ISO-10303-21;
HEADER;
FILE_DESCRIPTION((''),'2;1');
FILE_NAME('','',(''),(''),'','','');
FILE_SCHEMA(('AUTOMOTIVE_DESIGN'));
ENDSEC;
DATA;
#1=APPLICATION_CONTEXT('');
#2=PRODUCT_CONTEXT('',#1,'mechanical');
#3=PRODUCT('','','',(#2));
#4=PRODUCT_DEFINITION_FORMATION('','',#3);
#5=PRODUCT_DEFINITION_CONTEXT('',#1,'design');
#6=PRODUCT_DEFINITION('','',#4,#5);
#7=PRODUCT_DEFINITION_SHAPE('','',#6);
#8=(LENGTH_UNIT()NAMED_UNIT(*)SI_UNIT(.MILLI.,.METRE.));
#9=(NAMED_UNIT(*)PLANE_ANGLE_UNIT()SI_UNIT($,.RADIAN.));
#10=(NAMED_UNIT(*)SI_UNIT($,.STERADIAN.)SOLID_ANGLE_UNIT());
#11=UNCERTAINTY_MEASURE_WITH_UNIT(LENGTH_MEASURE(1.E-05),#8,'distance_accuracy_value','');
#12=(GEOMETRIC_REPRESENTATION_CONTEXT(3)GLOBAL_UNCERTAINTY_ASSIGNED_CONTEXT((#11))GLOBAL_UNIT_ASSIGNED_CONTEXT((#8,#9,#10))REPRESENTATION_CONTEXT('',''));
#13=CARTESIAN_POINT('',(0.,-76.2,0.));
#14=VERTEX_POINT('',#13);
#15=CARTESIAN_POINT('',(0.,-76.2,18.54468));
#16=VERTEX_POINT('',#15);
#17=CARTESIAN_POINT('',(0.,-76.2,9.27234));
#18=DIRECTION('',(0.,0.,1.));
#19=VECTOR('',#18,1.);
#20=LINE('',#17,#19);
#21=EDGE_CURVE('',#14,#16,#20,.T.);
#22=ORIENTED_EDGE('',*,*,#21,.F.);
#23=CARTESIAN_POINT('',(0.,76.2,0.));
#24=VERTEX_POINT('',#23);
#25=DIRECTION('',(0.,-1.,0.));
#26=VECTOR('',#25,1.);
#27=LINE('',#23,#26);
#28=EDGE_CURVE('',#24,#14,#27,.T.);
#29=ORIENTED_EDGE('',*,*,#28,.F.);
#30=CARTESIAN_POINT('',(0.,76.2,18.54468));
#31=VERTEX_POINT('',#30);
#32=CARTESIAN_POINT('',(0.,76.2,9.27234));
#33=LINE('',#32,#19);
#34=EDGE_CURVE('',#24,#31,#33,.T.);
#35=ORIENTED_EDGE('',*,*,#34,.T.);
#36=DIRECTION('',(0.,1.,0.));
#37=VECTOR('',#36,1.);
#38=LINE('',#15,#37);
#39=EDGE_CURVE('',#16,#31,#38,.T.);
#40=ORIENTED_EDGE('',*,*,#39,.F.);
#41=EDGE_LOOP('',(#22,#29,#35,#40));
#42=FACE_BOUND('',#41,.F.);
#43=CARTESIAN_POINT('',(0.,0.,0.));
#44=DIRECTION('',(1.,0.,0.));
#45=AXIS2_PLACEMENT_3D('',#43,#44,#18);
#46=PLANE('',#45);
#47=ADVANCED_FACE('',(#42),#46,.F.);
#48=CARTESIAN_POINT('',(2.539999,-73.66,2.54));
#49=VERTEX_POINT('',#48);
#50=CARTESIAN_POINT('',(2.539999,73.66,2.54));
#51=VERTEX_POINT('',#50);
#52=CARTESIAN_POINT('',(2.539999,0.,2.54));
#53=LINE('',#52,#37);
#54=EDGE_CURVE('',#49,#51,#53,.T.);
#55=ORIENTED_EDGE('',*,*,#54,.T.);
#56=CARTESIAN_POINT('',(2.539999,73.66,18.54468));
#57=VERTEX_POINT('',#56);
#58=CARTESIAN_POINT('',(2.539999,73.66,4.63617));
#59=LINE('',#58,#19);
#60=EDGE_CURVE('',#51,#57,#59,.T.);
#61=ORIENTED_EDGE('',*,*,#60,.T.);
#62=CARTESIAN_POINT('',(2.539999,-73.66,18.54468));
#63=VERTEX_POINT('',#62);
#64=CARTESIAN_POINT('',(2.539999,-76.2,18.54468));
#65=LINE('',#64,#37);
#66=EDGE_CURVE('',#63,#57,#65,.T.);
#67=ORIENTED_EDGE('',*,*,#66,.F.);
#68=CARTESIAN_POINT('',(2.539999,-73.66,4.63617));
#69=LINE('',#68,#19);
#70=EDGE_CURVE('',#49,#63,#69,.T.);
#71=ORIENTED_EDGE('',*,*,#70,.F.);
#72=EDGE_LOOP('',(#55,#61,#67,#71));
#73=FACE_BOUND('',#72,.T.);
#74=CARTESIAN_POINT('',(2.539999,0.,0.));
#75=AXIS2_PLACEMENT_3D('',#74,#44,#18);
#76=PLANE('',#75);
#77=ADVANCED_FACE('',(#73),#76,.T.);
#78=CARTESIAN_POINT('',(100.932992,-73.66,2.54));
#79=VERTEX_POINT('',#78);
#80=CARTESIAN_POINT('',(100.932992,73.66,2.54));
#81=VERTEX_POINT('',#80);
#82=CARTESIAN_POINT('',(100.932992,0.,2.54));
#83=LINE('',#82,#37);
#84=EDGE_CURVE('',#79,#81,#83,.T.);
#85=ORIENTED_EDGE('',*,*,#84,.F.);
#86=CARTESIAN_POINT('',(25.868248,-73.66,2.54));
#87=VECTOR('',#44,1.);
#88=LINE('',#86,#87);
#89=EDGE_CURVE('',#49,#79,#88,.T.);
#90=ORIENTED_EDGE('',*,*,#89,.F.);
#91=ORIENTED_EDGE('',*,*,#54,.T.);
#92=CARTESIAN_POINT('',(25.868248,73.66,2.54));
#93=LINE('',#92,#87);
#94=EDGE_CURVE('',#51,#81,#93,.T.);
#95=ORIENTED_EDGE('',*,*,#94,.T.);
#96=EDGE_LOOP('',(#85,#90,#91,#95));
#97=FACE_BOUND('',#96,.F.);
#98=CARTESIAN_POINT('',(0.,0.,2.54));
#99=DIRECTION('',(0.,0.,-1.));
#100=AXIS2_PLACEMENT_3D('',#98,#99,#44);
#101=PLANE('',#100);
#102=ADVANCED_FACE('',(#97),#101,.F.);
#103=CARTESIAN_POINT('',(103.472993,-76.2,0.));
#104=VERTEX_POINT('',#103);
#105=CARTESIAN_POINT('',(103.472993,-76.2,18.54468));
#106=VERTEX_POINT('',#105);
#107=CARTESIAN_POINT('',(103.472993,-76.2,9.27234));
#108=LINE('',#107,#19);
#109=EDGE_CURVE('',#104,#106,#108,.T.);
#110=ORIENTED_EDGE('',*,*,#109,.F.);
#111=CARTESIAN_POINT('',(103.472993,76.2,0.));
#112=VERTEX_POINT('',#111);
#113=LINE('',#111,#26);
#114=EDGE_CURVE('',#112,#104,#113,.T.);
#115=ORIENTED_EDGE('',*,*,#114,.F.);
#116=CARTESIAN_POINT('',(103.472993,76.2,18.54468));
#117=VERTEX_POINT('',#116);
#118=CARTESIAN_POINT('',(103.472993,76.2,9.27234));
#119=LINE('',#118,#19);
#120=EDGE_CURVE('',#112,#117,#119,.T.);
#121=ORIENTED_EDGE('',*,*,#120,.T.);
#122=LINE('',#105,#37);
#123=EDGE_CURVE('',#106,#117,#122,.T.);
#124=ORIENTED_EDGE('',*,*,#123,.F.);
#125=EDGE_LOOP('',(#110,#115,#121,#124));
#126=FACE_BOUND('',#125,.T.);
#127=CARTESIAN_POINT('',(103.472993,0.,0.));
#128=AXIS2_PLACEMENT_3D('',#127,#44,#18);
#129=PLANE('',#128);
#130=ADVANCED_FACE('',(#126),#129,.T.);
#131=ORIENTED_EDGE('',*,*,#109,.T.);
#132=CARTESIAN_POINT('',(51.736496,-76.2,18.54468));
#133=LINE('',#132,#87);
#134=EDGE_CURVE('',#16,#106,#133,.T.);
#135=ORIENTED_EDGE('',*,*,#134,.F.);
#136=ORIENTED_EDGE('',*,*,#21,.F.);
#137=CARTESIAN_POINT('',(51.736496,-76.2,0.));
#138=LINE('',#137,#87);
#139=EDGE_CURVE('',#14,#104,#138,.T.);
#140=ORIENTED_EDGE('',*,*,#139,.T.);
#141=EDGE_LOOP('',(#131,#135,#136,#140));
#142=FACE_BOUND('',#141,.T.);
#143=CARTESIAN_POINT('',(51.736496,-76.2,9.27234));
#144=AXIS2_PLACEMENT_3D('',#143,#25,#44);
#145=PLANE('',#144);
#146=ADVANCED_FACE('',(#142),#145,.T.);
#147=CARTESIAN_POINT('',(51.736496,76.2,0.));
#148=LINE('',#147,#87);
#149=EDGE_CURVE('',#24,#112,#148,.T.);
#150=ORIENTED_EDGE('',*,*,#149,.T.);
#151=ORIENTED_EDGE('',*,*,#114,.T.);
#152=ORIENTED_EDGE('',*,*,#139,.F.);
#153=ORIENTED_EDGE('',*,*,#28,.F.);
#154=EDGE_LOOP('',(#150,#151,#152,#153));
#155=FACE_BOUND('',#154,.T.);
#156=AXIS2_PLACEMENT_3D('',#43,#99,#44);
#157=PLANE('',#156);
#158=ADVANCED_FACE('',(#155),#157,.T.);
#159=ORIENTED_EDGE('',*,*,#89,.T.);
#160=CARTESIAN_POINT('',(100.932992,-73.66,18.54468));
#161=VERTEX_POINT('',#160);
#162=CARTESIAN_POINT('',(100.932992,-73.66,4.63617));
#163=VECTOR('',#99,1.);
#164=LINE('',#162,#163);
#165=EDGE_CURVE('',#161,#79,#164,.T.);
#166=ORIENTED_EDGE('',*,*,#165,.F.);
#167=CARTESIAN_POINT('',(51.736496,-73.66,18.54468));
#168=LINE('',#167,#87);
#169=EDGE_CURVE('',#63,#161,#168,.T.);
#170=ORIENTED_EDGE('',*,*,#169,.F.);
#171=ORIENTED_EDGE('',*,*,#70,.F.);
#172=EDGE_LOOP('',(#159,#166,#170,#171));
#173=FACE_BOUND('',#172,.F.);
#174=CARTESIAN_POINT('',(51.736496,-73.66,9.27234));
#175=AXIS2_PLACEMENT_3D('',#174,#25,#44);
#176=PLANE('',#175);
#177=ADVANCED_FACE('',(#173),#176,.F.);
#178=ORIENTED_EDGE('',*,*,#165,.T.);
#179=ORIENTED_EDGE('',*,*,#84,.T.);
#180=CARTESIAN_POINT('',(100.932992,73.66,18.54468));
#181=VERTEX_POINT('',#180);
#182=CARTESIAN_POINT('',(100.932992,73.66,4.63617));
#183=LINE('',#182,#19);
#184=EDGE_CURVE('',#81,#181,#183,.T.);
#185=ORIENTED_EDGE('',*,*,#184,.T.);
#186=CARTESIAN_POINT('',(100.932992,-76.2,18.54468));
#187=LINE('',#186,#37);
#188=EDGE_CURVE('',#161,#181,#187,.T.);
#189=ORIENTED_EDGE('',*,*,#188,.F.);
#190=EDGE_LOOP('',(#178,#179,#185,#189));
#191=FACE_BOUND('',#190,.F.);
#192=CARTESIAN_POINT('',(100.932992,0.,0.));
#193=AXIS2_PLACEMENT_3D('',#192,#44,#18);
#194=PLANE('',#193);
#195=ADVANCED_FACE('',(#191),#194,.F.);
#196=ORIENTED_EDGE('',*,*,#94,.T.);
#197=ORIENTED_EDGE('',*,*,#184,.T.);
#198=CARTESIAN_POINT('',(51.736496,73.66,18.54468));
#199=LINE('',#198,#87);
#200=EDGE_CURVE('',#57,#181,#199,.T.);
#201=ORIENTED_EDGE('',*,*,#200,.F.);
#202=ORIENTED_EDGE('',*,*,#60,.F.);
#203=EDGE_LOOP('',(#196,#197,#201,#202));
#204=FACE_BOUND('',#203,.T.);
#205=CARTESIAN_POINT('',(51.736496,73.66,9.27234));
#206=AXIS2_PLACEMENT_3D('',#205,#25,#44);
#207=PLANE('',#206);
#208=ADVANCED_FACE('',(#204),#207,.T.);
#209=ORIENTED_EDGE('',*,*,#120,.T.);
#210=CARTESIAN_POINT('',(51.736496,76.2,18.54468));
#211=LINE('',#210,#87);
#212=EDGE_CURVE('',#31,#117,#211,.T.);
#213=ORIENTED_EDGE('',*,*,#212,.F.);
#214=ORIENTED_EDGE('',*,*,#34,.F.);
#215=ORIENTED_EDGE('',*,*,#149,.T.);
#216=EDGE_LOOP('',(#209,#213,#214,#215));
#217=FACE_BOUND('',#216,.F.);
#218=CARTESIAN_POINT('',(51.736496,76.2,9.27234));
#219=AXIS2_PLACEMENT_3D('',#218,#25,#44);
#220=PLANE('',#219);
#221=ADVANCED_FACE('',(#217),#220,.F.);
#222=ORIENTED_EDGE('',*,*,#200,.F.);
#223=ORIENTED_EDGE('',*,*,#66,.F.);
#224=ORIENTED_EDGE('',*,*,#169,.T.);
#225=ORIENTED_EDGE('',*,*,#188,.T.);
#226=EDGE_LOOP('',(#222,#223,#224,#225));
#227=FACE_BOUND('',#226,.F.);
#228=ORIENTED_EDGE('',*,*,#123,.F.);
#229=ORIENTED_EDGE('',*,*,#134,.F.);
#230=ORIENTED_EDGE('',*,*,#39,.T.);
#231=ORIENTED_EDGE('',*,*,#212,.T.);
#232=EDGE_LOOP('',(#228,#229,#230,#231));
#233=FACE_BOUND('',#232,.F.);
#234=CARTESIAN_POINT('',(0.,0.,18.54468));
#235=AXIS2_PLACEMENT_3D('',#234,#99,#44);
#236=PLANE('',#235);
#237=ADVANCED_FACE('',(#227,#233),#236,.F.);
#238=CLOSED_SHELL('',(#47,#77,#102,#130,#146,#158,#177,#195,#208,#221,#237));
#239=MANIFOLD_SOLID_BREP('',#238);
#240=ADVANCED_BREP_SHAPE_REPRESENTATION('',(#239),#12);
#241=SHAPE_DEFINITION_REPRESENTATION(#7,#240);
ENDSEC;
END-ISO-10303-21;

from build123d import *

# Parameters (mm, degrees)
F0_W     = 103.472993
F0_H     = 18.54468
F1_DEPTH = 76.2
F2_T     = -2.54


with BuildPart() as f1:
    # F0 (on Front) → F1 (new body, symmetric)
    with BuildSketch(Plane.XZ):
        with Locations((51.736496, 9.27234)):
            Rectangle(F0_W, F0_H)
    extrude(amount=F1_DEPTH, both=True)

    # F2
    f2_openings = [f1.faces().sort_by_distance(p)[0] for p in [
        (51.736496, 0, 18.54468),
    ]]
    offset(amount=F2_T, openings=f2_openings)


solid = f1.part
